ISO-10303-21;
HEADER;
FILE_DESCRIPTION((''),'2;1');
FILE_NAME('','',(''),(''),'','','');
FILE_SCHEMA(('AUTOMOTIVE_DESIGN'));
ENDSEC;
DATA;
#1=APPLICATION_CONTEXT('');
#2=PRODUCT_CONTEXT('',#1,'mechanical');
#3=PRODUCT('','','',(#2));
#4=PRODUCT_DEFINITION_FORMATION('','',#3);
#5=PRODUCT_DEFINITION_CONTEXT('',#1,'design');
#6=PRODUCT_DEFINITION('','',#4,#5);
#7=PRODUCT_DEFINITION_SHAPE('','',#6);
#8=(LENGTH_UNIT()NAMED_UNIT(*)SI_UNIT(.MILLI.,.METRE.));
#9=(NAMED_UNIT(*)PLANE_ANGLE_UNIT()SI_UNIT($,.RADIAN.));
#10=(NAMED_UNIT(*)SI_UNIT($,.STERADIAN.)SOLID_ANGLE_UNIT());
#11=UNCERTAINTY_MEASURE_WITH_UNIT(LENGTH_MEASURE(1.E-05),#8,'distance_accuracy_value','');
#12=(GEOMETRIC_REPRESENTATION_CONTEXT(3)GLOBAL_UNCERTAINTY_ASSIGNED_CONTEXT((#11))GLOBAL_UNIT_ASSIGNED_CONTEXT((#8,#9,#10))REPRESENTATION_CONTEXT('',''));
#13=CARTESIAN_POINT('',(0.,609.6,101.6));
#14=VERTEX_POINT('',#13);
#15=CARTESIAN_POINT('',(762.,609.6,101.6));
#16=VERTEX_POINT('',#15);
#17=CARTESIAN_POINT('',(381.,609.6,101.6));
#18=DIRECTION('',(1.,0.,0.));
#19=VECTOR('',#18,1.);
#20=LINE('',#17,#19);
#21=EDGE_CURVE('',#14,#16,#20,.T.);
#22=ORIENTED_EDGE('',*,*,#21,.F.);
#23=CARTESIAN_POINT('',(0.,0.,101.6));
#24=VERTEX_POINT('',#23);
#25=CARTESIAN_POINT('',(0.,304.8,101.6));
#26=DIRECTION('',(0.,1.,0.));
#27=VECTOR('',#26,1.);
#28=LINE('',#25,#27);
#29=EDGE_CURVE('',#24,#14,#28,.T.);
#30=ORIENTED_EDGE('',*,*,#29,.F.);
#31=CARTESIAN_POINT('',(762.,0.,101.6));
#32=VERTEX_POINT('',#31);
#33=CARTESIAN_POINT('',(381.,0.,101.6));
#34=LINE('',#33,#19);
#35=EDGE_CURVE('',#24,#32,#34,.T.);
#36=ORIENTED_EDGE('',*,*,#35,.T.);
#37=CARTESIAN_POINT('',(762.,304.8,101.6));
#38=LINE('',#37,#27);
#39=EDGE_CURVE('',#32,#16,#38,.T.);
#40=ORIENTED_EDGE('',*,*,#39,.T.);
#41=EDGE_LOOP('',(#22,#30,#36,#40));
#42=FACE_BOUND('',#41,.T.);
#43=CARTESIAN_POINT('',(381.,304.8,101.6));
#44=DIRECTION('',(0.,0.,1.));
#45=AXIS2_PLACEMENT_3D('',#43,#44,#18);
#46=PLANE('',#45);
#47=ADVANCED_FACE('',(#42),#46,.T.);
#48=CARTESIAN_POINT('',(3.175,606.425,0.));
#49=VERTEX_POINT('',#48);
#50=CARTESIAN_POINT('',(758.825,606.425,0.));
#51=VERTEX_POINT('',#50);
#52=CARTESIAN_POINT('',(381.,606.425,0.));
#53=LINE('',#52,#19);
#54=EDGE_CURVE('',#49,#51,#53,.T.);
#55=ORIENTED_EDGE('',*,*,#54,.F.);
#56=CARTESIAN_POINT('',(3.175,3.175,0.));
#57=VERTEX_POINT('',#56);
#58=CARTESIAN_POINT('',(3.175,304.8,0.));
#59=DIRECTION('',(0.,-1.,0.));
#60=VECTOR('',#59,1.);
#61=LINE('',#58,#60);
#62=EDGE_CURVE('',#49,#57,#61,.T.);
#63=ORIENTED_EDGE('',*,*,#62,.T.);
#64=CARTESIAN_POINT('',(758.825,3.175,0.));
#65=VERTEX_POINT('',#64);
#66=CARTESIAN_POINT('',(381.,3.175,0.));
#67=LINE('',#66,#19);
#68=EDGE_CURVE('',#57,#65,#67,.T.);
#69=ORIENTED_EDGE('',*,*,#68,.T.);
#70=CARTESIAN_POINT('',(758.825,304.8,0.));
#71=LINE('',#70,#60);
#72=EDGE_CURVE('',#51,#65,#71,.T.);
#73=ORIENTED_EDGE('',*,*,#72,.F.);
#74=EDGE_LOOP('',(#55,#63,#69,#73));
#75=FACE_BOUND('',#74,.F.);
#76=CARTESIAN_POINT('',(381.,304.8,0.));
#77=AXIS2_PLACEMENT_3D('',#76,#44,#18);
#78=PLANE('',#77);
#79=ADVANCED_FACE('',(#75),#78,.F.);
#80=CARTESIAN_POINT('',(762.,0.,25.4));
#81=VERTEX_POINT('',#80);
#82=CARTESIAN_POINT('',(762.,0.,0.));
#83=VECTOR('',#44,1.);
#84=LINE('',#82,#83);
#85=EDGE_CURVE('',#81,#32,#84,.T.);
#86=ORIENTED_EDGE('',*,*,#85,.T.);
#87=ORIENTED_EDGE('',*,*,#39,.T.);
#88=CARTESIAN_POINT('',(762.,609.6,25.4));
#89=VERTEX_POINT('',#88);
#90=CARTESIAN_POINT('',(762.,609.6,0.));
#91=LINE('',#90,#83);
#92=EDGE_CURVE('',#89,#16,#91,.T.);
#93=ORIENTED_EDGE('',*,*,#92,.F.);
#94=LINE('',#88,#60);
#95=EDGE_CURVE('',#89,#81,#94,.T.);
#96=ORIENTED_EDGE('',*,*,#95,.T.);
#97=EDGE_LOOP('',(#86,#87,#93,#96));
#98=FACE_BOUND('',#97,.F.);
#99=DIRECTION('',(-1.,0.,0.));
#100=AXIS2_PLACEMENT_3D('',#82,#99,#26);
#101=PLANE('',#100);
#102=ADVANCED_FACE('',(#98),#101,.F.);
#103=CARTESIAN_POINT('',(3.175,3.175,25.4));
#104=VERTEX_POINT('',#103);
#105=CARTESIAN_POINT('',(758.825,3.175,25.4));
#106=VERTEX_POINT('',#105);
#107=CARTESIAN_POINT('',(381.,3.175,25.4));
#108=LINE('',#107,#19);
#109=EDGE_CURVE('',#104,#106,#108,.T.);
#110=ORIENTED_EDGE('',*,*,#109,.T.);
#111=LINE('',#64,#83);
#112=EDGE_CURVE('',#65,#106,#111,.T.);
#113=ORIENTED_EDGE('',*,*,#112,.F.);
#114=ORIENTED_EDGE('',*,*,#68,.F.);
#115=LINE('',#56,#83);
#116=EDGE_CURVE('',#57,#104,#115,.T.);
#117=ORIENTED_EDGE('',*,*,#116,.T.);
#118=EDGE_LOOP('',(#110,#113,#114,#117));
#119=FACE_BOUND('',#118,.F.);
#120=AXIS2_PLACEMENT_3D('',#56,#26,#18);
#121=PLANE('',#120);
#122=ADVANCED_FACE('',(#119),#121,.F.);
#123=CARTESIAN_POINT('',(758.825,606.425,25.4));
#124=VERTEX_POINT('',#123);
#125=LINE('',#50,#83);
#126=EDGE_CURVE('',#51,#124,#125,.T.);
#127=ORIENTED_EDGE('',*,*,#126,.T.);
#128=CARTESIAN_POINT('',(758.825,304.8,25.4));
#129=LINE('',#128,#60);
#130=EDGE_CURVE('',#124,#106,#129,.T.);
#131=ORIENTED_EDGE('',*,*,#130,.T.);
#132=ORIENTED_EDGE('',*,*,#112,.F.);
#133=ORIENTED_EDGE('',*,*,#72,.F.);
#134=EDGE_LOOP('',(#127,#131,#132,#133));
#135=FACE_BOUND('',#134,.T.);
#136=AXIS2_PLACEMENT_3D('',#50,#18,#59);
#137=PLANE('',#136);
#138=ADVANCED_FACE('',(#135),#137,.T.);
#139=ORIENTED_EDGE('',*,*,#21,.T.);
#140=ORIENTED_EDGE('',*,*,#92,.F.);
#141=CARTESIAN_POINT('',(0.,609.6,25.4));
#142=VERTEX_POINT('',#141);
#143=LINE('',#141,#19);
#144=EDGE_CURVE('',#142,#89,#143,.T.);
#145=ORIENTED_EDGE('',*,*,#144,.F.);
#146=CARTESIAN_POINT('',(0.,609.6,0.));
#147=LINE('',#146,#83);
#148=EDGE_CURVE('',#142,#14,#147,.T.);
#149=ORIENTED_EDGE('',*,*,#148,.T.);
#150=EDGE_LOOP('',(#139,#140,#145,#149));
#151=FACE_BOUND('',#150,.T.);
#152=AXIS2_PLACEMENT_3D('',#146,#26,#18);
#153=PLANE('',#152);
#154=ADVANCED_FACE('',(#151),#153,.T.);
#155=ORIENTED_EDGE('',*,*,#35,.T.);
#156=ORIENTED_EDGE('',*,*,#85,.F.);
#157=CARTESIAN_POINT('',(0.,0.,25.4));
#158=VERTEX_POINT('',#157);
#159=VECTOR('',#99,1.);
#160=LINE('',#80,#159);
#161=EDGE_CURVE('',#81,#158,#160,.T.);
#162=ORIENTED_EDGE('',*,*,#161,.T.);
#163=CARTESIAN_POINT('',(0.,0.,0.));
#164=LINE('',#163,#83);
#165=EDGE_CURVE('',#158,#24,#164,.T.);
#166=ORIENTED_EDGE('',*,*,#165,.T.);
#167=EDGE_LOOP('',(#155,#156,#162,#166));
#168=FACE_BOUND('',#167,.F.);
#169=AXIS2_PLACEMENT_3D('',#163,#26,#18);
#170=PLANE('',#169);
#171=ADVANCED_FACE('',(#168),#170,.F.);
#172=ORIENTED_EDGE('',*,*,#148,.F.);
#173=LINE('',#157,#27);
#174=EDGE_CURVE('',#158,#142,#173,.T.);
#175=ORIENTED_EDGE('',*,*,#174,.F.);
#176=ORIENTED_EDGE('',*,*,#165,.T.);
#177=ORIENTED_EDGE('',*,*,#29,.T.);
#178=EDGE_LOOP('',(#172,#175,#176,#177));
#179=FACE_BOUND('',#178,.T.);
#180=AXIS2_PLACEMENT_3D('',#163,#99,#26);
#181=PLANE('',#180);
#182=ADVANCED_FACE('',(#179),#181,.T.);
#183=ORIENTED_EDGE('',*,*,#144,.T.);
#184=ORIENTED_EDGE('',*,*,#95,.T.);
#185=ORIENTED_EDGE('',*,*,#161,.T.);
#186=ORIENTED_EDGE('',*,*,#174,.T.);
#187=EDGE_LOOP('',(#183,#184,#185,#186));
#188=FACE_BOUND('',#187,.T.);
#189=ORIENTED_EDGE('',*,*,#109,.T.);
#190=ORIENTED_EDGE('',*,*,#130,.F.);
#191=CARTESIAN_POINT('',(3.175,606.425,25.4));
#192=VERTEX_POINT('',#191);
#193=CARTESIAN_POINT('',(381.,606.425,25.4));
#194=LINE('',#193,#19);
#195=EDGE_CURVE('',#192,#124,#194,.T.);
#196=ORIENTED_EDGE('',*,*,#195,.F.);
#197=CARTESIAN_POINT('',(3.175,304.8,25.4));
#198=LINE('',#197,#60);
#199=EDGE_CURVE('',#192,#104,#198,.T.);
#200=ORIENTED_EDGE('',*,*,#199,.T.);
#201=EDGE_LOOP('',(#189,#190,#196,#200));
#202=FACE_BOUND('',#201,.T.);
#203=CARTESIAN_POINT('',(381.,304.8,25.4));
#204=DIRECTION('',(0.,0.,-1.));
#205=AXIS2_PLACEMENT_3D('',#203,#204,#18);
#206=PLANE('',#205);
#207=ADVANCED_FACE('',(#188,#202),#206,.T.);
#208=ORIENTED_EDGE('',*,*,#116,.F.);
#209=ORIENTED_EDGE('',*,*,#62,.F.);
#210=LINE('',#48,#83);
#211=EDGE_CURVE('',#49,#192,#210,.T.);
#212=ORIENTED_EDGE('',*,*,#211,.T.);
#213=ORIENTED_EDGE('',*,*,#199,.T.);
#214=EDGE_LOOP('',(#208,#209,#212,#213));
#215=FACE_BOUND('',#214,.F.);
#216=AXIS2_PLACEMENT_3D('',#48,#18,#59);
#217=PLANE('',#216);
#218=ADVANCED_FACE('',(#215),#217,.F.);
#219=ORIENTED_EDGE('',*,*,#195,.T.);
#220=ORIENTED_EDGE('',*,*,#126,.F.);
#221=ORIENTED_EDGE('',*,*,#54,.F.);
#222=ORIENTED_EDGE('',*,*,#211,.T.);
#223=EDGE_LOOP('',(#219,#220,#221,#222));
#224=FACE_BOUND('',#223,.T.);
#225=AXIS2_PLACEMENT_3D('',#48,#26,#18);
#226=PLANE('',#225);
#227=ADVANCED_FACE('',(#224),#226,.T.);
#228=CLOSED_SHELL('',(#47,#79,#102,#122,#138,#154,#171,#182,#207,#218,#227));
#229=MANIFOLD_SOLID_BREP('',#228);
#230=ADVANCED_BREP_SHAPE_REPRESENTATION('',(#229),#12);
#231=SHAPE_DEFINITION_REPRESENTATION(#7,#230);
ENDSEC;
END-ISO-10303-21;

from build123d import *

# Parameters (mm, degrees)
F0_W     = 762
F0_H     = 609.6
F1_DEPTH = 101.6
F2_W     = 755.65
F2_H     = 603.25
F3_DEPTH = 25.4


with BuildPart() as f1:
    # F0 (on Top) → F1 (new body)
    with BuildSketch(Plane.XY):
        with Locations((381, 304.8)):
            Rectangle(F0_W, F0_H)
    extrude(amount=F1_DEPTH)

    # F2 (on face) → F3 (cut)
    with BuildSketch(Plane(origin=(0, 0, 0), x_dir=(1, 0, 0), z_dir=(0, 0, -1))):
        Polygon((762, 0), (0, 0), (0, -3.175), (0, -606.425), (0, -609.6), (762, -609.6), (762, -606.425), (762, -3.175), align=None)
        with Locations((381, -304.8)):
            Rectangle(F2_W, F2_H, mode=Mode.SUBTRACT)
    extrude(amount=-F3_DEPTH, mode=Mode.SUBTRACT)


solid = f1.part
